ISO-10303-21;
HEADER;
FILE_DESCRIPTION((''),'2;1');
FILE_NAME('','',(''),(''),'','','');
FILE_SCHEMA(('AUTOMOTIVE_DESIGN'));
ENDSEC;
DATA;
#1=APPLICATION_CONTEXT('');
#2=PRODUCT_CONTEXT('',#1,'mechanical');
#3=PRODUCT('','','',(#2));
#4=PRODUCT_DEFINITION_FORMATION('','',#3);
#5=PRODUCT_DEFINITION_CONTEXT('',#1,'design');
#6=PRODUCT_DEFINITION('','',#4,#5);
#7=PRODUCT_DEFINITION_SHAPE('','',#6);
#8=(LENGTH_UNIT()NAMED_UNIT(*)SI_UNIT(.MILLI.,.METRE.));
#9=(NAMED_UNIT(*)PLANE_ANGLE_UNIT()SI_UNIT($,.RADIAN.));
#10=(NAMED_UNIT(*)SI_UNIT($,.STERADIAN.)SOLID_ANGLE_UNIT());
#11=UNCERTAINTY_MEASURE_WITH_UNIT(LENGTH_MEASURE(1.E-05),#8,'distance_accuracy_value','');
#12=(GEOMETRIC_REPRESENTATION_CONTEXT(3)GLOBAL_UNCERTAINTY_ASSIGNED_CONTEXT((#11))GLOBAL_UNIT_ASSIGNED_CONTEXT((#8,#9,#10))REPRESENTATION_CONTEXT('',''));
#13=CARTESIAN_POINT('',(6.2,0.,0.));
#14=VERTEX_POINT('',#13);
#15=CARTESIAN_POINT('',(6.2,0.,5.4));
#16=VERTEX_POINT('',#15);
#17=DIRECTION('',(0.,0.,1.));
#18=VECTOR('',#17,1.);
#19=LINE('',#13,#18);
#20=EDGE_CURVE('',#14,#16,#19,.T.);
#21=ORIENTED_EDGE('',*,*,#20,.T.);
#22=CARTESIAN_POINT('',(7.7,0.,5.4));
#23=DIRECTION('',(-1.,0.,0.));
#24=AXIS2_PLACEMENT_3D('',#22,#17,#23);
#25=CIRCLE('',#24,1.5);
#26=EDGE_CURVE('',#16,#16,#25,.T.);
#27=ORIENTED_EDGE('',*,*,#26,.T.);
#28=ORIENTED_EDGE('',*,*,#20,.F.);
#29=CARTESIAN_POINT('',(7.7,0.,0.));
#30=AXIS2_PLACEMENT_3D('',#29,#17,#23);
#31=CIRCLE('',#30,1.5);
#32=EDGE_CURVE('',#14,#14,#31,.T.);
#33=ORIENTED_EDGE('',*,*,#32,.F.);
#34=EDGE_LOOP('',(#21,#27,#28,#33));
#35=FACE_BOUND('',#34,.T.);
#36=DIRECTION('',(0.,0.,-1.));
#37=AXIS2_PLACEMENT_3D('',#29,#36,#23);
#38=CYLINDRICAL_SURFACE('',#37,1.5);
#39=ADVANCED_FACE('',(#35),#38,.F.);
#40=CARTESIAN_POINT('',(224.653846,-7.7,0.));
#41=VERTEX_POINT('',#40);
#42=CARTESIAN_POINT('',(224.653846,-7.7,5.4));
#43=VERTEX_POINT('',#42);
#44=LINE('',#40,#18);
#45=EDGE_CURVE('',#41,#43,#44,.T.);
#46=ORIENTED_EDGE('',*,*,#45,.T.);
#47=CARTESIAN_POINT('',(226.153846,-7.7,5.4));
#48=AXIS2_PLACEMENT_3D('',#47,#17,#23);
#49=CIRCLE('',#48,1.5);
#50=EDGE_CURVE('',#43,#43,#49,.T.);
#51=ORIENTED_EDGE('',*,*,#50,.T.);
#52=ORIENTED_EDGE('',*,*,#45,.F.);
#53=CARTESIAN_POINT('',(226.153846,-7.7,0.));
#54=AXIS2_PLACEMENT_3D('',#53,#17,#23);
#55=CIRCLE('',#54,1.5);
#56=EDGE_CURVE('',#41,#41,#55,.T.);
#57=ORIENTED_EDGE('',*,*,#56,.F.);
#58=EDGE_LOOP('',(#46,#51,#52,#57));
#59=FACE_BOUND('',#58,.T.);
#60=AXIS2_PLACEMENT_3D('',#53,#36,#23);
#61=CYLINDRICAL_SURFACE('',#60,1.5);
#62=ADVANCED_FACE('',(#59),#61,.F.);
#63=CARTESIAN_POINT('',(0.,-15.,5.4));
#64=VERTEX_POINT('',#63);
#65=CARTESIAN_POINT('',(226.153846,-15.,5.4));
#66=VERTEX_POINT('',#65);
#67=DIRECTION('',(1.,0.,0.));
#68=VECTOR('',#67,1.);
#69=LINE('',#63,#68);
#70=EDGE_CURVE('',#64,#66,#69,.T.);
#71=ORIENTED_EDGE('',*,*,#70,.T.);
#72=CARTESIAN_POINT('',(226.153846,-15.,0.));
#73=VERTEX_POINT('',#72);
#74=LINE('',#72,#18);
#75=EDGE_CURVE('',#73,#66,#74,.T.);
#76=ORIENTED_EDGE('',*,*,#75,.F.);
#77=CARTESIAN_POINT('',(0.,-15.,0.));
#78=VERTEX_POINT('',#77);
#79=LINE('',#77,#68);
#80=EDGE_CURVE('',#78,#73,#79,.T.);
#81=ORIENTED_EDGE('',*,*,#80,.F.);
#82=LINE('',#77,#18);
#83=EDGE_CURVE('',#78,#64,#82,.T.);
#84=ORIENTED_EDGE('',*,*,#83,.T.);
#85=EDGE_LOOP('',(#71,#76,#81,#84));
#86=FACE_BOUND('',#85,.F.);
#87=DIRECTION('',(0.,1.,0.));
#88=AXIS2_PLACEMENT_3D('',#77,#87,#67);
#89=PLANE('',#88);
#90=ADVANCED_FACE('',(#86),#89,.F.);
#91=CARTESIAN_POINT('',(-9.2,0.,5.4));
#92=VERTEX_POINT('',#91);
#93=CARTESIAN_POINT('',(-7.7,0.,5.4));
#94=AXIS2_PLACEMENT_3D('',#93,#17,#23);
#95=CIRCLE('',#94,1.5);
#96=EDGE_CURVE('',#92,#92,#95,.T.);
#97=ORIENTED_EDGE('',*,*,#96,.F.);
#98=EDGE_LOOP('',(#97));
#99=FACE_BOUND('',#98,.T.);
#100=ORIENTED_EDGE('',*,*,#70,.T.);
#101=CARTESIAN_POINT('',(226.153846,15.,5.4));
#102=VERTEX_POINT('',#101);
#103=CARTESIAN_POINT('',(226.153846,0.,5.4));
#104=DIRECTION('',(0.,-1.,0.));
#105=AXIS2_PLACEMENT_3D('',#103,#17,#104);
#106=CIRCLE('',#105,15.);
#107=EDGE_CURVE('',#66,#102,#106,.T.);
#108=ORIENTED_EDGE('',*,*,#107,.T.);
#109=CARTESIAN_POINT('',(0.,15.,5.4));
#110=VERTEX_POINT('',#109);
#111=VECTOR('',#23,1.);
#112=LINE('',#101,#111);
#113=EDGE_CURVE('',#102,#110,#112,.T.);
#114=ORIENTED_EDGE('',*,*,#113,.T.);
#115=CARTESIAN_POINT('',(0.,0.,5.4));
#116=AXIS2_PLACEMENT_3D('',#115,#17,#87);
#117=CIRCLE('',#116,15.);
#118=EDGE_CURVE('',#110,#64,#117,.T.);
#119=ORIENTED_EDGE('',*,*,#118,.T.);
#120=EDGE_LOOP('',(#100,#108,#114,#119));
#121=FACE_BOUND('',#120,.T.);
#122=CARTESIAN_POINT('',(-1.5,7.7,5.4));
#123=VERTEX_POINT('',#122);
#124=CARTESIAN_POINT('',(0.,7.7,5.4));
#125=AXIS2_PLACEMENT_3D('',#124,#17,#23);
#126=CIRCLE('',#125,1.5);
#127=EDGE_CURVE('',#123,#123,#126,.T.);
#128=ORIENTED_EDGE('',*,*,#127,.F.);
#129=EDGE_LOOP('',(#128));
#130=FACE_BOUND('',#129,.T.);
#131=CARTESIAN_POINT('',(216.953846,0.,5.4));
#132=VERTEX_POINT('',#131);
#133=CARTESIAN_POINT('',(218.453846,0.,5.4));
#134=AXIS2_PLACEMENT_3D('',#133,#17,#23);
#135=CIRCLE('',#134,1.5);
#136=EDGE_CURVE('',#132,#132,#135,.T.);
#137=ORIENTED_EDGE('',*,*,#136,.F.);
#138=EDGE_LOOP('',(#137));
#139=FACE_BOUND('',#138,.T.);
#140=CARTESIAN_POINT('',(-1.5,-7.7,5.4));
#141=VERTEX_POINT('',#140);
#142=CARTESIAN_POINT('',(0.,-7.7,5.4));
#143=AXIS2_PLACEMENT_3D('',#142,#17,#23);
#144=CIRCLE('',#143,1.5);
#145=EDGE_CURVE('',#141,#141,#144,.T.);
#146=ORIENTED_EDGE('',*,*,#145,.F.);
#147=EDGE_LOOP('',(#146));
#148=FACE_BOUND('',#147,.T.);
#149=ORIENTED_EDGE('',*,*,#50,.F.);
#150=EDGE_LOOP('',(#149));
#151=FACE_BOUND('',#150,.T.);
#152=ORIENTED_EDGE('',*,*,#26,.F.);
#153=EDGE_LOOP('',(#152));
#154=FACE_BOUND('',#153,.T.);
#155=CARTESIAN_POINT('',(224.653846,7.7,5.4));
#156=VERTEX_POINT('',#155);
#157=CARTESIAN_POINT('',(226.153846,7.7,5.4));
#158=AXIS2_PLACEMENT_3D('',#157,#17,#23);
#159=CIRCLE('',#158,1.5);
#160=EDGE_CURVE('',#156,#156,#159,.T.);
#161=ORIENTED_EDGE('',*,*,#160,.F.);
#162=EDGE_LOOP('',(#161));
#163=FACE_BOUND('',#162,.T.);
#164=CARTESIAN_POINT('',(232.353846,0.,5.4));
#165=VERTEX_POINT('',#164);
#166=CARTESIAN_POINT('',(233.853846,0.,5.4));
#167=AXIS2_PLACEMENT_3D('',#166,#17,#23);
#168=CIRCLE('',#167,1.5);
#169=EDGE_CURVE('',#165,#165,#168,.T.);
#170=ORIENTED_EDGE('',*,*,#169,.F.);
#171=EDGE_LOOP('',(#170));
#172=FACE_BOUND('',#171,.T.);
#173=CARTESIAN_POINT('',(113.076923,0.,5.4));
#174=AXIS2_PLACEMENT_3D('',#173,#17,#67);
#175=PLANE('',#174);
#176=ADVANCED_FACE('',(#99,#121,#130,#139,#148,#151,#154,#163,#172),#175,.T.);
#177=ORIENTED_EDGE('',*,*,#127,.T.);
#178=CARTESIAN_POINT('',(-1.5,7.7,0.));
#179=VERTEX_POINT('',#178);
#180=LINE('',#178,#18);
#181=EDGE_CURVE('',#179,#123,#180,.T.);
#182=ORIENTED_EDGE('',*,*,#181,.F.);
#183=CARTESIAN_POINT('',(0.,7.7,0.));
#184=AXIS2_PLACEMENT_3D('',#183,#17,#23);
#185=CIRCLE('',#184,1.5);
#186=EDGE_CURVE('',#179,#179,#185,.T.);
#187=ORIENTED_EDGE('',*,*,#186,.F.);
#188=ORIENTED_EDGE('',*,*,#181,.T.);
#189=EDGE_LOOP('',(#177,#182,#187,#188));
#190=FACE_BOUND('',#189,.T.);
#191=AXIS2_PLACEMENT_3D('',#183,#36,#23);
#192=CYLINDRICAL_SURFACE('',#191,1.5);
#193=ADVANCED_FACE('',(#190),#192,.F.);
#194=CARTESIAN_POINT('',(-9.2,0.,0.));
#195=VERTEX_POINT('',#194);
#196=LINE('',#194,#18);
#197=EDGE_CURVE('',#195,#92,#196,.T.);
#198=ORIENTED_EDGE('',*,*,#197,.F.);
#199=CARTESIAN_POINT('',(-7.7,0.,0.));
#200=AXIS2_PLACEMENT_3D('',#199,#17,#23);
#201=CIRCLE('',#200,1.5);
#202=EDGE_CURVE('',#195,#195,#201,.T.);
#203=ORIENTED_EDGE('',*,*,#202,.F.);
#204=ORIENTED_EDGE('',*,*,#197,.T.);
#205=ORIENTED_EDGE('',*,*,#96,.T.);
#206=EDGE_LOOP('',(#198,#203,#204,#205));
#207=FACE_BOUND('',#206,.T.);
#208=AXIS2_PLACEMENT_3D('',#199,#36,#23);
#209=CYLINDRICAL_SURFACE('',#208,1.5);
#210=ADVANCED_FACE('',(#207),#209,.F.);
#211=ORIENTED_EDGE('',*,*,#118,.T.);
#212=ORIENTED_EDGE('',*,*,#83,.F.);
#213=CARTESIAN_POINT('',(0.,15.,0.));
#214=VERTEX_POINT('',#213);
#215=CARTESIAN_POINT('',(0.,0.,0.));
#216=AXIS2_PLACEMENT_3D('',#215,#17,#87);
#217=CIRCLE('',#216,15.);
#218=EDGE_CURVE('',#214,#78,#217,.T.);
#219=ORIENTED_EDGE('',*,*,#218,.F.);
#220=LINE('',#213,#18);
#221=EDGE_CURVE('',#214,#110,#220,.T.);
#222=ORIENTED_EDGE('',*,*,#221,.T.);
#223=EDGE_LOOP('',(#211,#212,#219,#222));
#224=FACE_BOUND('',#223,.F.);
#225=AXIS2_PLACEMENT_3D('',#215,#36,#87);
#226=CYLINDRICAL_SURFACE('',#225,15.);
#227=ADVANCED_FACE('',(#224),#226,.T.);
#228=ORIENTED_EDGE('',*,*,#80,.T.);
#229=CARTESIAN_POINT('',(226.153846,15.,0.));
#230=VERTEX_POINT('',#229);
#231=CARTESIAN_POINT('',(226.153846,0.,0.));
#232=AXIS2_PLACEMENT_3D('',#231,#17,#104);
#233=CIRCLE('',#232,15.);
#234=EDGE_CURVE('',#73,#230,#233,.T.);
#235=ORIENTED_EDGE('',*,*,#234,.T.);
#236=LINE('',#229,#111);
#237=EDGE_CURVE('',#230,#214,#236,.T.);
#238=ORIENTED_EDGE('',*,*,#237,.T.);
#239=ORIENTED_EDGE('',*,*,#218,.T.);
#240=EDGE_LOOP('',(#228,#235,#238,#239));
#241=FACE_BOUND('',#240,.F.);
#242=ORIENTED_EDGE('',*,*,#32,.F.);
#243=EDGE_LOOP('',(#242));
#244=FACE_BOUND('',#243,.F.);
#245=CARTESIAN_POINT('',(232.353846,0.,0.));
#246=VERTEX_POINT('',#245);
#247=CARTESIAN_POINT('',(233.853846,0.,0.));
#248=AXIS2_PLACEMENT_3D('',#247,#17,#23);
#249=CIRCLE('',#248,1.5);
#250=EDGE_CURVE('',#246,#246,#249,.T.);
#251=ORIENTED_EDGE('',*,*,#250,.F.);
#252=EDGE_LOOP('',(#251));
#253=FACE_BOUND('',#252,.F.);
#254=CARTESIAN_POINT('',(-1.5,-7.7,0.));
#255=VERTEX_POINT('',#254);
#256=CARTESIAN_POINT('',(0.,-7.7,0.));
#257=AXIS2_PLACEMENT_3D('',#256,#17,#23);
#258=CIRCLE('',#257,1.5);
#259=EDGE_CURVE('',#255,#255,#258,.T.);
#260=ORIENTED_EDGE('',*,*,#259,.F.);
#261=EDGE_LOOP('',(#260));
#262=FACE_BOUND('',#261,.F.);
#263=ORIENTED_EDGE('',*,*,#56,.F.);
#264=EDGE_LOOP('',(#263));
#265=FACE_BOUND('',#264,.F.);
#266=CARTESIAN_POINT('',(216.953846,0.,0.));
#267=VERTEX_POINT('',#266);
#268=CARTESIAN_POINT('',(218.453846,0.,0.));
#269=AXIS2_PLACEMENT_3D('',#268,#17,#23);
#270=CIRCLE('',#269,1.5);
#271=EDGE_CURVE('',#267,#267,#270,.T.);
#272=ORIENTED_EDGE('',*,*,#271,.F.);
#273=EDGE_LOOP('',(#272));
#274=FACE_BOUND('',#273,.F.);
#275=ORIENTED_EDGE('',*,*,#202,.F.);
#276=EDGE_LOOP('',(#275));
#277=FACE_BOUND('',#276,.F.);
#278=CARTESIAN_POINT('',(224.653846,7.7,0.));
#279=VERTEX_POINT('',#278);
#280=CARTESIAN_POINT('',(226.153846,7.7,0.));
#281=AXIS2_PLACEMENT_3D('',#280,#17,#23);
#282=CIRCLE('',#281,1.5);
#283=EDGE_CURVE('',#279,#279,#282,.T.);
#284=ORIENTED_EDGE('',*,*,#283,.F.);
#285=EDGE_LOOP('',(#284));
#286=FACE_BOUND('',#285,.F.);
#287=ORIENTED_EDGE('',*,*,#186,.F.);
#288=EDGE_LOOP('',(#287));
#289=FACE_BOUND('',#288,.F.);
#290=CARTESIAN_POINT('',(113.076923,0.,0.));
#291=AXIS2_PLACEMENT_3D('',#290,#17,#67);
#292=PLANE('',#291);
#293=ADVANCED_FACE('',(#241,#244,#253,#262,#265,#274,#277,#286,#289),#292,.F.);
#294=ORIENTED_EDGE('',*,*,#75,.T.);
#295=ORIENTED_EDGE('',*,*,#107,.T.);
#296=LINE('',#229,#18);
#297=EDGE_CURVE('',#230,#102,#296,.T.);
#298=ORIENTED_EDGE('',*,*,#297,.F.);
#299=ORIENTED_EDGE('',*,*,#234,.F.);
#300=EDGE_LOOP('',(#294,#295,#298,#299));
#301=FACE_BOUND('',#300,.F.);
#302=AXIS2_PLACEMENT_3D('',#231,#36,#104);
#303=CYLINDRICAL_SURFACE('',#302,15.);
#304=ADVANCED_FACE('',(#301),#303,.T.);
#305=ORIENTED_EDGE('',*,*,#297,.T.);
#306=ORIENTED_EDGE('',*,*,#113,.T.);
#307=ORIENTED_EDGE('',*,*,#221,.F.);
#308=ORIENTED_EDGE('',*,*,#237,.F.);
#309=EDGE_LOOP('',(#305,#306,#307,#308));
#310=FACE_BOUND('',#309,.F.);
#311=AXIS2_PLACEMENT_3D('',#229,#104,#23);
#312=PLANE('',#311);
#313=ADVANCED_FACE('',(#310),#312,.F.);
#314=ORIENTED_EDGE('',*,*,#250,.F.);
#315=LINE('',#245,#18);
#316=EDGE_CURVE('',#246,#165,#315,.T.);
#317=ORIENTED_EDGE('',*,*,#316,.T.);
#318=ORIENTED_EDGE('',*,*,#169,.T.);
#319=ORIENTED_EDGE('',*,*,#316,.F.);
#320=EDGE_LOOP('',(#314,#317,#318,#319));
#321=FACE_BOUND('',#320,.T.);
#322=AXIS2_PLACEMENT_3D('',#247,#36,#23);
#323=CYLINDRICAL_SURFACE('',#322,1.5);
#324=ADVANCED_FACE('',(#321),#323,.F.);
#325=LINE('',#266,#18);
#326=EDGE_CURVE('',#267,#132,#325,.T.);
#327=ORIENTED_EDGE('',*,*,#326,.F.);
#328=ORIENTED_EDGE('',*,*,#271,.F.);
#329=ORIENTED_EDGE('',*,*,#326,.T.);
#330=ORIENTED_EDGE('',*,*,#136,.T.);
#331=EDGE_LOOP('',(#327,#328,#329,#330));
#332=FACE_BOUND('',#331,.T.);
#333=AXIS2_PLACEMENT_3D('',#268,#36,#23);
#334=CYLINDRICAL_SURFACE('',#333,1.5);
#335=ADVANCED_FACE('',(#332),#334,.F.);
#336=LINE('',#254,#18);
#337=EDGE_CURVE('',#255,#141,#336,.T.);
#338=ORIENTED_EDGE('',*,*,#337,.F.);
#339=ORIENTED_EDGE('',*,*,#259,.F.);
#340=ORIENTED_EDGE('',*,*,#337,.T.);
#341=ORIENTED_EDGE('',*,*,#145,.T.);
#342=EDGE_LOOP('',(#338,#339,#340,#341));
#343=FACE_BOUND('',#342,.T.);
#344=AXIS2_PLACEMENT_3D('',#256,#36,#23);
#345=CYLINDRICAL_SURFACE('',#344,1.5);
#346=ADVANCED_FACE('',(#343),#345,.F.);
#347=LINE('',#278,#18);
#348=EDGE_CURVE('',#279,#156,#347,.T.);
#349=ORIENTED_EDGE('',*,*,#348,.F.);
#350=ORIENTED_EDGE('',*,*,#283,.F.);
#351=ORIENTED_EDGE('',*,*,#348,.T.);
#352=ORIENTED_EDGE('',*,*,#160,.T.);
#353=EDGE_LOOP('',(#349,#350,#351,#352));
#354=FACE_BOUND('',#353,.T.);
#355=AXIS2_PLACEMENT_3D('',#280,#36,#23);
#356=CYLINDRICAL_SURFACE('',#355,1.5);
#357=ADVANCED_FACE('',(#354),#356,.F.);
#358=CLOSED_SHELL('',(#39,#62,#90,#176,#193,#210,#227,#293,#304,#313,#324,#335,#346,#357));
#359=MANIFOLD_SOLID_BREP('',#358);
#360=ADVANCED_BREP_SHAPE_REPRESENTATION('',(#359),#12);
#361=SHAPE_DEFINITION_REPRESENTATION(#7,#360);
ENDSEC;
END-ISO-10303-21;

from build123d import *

# Parameters (mm, degrees)
SKETCH1_R           = 1.5
BOSS_EXTRUDE1_DEPTH = 5.4


with BuildPart() as part:
    # Sketch1 → Boss-Extrude1 (new body)
    with BuildSketch(Plane.XY):
        with BuildLine():
            Line((0, -15), (226.153846154, -15))
            ThreePointArc((226.153846154, -15), (241.153846154, 0), (226.153846154, 15))
            Line((226.153846154, 15), (0, 15))
            ThreePointArc((0, 15), (-15, 0), (0, -15))
        make_face()
        with Locations((0, 7.7)):
            Circle(SKETCH1_R, mode=Mode.SUBTRACT)
        with Locations((7.7, 0)):
            Circle(SKETCH1_R, mode=Mode.SUBTRACT)
        with Locations((0, -7.7)):
            Circle(SKETCH1_R, mode=Mode.SUBTRACT)
        with Locations((-7.7, 0)):
            Circle(SKETCH1_R, mode=Mode.SUBTRACT)
        with Locations((218.453846154, 0)):
            Circle(SKETCH1_R, mode=Mode.SUBTRACT)
        with Locations((226.153846154, -7.7)):
            Circle(SKETCH1_R, mode=Mode.SUBTRACT)
        with Locations((233.853846154, 0)):
            Circle(SKETCH1_R, mode=Mode.SUBTRACT)
        with Locations((226.153846154, 7.7)):
            Circle(SKETCH1_R, mode=Mode.SUBTRACT)
    extrude(amount=BOSS_EXTRUDE1_DEPTH)


solid = part.part
